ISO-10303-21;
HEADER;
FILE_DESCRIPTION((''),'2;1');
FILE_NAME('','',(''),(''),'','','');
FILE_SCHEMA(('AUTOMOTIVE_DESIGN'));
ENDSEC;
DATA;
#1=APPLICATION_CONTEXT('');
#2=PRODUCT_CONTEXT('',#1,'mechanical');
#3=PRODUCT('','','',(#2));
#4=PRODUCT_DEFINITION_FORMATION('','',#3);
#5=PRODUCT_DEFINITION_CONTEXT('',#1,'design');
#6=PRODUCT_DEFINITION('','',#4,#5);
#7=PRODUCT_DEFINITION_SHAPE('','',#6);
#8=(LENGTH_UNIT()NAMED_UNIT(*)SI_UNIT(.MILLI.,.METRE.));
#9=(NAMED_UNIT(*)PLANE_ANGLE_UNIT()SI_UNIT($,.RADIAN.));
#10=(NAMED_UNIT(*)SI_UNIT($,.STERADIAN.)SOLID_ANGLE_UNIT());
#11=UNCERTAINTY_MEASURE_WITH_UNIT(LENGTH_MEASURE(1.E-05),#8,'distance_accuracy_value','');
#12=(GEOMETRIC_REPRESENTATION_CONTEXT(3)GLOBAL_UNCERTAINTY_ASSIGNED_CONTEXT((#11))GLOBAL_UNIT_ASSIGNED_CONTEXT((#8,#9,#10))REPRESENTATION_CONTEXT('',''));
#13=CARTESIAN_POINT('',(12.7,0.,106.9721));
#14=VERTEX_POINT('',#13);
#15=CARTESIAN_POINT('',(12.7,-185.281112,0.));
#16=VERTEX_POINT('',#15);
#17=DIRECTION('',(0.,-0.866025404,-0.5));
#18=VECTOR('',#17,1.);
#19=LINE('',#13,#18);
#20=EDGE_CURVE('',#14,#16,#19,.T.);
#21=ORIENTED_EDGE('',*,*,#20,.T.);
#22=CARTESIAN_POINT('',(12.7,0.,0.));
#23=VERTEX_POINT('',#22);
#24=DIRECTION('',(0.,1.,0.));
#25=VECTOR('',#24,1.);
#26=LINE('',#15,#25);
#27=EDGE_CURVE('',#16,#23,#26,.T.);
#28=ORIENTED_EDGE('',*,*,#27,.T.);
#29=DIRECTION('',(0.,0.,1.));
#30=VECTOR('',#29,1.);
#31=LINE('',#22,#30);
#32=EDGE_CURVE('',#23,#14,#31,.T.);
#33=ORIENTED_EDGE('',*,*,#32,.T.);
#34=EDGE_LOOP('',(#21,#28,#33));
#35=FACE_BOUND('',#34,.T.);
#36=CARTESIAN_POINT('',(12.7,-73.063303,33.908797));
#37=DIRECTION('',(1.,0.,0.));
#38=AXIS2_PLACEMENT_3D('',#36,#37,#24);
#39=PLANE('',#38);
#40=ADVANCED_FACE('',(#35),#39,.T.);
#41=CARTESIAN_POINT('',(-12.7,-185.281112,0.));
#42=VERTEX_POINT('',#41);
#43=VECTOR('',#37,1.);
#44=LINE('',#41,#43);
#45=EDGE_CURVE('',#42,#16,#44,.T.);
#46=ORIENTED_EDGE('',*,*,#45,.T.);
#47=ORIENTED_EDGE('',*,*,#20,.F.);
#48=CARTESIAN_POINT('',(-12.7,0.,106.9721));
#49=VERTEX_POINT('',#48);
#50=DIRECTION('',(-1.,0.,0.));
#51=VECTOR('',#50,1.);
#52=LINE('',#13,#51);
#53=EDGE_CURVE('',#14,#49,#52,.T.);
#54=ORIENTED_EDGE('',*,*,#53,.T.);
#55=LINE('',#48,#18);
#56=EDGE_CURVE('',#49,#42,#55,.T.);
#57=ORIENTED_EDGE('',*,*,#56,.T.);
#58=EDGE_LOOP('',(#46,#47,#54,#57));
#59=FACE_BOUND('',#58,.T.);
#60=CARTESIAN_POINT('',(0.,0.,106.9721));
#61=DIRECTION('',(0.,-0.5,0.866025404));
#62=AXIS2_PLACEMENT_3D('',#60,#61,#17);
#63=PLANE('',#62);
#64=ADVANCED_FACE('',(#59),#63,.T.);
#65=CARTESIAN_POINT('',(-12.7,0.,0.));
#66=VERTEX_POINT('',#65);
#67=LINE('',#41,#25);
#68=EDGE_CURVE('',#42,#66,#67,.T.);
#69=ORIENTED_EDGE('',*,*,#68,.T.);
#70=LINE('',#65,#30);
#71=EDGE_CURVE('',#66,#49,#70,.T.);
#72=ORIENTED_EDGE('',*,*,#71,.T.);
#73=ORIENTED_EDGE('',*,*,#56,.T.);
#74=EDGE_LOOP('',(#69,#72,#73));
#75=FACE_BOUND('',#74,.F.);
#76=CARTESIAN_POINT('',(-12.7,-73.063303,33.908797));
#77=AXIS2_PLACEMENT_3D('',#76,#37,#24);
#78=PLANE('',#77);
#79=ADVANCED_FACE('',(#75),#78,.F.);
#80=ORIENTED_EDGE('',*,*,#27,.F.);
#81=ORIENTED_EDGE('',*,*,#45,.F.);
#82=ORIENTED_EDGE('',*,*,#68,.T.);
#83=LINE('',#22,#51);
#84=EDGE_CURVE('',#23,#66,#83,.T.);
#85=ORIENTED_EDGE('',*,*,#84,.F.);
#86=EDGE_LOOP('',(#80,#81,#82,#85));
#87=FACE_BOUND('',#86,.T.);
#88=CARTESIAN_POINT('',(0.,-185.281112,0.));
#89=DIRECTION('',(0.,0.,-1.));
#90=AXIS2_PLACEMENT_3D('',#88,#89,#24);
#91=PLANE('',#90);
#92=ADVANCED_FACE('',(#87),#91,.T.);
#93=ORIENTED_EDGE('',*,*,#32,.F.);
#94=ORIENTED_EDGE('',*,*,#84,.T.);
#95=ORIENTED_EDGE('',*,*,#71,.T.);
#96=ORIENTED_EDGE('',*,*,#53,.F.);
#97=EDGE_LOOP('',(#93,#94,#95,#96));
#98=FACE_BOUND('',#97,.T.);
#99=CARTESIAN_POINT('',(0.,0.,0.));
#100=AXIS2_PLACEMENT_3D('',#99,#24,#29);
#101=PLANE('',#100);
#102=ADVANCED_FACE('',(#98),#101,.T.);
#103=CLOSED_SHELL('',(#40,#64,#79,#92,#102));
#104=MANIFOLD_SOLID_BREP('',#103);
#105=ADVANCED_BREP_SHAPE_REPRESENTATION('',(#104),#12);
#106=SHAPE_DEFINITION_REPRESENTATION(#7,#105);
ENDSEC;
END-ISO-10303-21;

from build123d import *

# Parameters (mm, degrees)
F1_DEPTH = 12.7


with BuildPart() as f1:
    # F0 (on Right) → F1 (new body, symmetric)
    with BuildSketch(Plane.YZ):
        Polygon((0, 106.9721), (-185.281112, 0), (0, 0), align=None)
    extrude(amount=F1_DEPTH, both=True)


solid = f1.part
